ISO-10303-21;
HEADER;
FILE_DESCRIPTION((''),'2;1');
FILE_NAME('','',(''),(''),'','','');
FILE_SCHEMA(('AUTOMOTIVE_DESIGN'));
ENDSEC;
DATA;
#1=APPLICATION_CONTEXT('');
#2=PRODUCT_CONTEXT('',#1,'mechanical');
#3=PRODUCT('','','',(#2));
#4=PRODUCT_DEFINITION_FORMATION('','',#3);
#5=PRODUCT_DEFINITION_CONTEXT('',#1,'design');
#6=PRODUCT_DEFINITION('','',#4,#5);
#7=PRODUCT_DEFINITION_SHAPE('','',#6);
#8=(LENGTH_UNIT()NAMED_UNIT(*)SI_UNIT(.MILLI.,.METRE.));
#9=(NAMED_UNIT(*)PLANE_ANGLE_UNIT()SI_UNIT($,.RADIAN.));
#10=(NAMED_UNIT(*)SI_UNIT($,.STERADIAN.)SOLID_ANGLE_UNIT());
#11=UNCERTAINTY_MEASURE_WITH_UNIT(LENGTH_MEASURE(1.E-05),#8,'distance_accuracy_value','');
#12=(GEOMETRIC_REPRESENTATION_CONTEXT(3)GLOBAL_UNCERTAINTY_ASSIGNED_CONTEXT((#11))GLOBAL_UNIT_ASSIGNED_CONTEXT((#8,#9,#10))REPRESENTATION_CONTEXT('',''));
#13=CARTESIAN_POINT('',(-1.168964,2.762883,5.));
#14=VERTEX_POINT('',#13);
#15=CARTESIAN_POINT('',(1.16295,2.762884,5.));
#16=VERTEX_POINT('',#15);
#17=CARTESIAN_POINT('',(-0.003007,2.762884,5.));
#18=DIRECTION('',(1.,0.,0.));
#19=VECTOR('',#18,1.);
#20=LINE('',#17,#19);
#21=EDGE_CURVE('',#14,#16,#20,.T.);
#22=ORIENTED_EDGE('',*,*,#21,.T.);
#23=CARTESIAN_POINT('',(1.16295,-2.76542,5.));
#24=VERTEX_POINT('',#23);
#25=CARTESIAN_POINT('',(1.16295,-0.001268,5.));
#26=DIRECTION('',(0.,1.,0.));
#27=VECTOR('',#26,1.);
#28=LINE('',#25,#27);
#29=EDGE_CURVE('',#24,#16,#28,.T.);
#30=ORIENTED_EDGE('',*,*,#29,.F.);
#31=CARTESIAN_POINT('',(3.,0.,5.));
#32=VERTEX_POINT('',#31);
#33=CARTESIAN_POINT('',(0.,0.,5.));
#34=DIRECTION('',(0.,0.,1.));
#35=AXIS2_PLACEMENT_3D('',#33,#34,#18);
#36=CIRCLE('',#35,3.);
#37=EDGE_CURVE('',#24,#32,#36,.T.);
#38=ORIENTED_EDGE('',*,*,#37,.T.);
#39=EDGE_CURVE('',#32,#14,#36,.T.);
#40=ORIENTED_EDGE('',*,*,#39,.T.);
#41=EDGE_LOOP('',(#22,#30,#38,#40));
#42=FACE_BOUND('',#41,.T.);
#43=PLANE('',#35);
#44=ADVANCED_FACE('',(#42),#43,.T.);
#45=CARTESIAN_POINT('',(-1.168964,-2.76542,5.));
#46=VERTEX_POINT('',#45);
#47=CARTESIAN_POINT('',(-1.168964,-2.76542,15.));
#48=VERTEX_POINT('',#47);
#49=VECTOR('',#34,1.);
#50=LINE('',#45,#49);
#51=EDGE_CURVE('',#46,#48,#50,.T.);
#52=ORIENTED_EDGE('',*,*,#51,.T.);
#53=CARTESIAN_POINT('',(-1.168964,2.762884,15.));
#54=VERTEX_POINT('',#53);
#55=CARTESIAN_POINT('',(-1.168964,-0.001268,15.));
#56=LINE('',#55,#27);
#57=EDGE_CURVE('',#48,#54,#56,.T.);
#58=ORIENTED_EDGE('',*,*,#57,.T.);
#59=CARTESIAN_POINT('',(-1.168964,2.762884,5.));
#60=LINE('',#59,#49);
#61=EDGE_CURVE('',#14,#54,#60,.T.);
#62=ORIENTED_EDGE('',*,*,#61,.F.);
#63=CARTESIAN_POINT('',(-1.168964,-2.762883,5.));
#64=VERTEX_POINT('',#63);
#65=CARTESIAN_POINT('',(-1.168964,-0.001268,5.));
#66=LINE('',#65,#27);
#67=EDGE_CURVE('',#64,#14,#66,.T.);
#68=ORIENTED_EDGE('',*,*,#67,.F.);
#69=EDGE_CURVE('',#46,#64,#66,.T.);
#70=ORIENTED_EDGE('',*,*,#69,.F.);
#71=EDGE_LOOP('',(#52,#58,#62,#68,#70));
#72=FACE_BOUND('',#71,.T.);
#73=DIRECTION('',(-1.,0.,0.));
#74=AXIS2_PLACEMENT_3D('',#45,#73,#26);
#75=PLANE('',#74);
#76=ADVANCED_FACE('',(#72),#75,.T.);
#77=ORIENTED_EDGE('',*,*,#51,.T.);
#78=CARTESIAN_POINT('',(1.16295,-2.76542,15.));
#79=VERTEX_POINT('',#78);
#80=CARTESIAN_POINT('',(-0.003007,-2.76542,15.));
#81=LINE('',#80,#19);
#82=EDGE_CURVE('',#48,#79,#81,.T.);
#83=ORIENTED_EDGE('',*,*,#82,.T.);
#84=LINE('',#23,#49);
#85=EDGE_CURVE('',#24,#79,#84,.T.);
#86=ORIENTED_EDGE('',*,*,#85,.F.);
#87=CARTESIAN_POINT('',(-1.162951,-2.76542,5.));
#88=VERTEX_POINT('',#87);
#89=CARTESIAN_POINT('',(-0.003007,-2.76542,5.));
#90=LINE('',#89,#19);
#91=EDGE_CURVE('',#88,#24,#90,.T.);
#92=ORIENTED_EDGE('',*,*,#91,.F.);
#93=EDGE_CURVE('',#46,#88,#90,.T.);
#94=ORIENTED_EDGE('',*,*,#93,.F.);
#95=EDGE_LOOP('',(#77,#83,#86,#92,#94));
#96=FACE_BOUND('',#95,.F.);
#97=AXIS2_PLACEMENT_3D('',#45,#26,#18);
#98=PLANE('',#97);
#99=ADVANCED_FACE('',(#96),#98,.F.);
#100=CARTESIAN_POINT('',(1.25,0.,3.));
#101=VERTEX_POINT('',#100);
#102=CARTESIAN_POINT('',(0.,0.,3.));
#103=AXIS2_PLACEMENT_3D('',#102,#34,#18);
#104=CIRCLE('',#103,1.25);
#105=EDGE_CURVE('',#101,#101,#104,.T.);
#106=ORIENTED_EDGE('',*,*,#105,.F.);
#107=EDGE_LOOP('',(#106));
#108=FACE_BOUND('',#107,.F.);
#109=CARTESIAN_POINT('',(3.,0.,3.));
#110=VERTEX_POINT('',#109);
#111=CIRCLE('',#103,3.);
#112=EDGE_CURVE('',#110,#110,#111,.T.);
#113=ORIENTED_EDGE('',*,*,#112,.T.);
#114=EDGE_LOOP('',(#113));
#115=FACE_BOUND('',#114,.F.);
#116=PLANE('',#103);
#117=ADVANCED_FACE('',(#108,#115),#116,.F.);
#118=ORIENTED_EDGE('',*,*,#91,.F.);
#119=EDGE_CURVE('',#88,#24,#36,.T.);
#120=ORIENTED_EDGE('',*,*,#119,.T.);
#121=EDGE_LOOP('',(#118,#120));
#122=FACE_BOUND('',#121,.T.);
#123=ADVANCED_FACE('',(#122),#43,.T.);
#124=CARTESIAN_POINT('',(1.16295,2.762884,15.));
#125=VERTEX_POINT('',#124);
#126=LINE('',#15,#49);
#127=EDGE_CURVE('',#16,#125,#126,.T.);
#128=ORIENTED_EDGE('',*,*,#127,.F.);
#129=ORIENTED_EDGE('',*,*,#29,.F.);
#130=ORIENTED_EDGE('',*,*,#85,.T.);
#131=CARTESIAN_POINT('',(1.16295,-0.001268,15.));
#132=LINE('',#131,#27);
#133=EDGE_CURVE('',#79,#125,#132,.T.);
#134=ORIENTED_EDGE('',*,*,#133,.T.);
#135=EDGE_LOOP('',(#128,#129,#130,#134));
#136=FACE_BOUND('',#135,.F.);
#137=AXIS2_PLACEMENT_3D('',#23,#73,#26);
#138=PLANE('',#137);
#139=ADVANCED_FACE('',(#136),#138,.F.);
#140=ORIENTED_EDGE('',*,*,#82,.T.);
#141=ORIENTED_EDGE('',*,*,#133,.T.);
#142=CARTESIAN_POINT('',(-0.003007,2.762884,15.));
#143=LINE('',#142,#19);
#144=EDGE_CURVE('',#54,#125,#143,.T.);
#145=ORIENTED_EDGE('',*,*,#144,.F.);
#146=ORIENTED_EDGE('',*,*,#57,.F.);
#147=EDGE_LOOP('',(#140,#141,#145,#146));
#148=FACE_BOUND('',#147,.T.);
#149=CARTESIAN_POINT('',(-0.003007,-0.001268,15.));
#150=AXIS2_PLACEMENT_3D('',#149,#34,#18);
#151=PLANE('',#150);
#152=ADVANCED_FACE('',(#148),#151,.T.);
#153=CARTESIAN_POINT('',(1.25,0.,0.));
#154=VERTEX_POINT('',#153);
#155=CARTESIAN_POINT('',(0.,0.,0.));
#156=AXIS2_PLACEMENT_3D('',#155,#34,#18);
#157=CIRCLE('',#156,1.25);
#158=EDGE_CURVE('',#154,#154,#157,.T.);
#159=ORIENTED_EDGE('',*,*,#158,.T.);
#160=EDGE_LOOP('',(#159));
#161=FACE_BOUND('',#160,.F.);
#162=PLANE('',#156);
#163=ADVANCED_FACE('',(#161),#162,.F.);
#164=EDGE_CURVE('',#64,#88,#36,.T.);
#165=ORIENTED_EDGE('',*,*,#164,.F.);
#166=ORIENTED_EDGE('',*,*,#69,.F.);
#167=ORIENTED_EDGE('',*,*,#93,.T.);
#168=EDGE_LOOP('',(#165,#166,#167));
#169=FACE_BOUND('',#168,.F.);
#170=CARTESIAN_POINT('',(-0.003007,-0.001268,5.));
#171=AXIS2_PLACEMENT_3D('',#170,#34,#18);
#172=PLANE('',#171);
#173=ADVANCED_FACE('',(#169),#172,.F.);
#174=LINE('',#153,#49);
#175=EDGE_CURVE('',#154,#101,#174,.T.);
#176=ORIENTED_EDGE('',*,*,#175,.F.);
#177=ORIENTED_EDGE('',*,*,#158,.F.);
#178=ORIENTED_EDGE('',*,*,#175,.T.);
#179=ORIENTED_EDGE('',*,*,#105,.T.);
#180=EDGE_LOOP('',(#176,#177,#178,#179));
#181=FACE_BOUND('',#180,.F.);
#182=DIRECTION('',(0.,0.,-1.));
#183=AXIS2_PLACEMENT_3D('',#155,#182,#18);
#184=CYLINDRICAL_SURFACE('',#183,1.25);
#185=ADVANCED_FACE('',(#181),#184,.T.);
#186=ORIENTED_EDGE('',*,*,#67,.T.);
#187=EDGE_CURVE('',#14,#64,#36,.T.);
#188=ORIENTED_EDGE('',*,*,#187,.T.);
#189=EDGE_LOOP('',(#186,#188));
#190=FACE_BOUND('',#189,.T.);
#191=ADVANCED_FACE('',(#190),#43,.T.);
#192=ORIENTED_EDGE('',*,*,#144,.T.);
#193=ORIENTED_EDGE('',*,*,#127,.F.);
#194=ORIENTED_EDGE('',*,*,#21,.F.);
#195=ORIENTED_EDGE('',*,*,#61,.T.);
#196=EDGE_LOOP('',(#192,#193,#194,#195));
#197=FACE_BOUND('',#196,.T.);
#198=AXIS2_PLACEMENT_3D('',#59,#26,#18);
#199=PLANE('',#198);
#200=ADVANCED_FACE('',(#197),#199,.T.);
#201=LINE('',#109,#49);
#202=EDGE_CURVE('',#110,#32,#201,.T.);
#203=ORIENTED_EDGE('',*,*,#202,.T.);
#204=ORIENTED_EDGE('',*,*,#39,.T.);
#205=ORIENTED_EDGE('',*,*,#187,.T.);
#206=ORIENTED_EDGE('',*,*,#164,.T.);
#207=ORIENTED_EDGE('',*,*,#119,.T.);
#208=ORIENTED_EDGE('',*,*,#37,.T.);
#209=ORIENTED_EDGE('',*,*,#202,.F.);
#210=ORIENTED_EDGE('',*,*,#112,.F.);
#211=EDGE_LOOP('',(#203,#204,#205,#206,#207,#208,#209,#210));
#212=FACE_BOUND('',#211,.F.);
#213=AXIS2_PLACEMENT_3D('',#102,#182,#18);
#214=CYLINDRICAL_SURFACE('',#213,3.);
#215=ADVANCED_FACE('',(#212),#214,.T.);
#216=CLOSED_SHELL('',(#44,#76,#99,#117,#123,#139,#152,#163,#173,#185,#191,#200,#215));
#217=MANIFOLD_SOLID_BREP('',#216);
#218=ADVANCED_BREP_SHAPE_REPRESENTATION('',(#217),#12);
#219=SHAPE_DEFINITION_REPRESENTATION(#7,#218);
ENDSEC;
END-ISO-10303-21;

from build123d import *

# Parameters (mm, degrees)
F0_R     = 1.25
F1_DEPTH = 3
F2_R     = 3
F3_DEPTH = 2
F4_W     = 2.331915
F4_H     = 5.528303
F5_DEPTH = 10


with BuildPart() as f1:
    # F0 (on Top) → F1 (new body)
    with BuildSketch(Plane.XY):
        Circle(F0_R)
    extrude(amount=F1_DEPTH)

    # F2 (on face) → F3 (join)
    with BuildSketch(Plane.XY.offset(3)):
        Circle(F2_R)
    extrude(amount=F3_DEPTH)

    # F4 (on face) → F5 (join)
    with BuildSketch(Plane.XY.offset(5)):
        with Locations((-0.003007, -0.001268)):
            Rectangle(F4_W, F4_H)
    extrude(amount=F5_DEPTH)


solid = f1.part
